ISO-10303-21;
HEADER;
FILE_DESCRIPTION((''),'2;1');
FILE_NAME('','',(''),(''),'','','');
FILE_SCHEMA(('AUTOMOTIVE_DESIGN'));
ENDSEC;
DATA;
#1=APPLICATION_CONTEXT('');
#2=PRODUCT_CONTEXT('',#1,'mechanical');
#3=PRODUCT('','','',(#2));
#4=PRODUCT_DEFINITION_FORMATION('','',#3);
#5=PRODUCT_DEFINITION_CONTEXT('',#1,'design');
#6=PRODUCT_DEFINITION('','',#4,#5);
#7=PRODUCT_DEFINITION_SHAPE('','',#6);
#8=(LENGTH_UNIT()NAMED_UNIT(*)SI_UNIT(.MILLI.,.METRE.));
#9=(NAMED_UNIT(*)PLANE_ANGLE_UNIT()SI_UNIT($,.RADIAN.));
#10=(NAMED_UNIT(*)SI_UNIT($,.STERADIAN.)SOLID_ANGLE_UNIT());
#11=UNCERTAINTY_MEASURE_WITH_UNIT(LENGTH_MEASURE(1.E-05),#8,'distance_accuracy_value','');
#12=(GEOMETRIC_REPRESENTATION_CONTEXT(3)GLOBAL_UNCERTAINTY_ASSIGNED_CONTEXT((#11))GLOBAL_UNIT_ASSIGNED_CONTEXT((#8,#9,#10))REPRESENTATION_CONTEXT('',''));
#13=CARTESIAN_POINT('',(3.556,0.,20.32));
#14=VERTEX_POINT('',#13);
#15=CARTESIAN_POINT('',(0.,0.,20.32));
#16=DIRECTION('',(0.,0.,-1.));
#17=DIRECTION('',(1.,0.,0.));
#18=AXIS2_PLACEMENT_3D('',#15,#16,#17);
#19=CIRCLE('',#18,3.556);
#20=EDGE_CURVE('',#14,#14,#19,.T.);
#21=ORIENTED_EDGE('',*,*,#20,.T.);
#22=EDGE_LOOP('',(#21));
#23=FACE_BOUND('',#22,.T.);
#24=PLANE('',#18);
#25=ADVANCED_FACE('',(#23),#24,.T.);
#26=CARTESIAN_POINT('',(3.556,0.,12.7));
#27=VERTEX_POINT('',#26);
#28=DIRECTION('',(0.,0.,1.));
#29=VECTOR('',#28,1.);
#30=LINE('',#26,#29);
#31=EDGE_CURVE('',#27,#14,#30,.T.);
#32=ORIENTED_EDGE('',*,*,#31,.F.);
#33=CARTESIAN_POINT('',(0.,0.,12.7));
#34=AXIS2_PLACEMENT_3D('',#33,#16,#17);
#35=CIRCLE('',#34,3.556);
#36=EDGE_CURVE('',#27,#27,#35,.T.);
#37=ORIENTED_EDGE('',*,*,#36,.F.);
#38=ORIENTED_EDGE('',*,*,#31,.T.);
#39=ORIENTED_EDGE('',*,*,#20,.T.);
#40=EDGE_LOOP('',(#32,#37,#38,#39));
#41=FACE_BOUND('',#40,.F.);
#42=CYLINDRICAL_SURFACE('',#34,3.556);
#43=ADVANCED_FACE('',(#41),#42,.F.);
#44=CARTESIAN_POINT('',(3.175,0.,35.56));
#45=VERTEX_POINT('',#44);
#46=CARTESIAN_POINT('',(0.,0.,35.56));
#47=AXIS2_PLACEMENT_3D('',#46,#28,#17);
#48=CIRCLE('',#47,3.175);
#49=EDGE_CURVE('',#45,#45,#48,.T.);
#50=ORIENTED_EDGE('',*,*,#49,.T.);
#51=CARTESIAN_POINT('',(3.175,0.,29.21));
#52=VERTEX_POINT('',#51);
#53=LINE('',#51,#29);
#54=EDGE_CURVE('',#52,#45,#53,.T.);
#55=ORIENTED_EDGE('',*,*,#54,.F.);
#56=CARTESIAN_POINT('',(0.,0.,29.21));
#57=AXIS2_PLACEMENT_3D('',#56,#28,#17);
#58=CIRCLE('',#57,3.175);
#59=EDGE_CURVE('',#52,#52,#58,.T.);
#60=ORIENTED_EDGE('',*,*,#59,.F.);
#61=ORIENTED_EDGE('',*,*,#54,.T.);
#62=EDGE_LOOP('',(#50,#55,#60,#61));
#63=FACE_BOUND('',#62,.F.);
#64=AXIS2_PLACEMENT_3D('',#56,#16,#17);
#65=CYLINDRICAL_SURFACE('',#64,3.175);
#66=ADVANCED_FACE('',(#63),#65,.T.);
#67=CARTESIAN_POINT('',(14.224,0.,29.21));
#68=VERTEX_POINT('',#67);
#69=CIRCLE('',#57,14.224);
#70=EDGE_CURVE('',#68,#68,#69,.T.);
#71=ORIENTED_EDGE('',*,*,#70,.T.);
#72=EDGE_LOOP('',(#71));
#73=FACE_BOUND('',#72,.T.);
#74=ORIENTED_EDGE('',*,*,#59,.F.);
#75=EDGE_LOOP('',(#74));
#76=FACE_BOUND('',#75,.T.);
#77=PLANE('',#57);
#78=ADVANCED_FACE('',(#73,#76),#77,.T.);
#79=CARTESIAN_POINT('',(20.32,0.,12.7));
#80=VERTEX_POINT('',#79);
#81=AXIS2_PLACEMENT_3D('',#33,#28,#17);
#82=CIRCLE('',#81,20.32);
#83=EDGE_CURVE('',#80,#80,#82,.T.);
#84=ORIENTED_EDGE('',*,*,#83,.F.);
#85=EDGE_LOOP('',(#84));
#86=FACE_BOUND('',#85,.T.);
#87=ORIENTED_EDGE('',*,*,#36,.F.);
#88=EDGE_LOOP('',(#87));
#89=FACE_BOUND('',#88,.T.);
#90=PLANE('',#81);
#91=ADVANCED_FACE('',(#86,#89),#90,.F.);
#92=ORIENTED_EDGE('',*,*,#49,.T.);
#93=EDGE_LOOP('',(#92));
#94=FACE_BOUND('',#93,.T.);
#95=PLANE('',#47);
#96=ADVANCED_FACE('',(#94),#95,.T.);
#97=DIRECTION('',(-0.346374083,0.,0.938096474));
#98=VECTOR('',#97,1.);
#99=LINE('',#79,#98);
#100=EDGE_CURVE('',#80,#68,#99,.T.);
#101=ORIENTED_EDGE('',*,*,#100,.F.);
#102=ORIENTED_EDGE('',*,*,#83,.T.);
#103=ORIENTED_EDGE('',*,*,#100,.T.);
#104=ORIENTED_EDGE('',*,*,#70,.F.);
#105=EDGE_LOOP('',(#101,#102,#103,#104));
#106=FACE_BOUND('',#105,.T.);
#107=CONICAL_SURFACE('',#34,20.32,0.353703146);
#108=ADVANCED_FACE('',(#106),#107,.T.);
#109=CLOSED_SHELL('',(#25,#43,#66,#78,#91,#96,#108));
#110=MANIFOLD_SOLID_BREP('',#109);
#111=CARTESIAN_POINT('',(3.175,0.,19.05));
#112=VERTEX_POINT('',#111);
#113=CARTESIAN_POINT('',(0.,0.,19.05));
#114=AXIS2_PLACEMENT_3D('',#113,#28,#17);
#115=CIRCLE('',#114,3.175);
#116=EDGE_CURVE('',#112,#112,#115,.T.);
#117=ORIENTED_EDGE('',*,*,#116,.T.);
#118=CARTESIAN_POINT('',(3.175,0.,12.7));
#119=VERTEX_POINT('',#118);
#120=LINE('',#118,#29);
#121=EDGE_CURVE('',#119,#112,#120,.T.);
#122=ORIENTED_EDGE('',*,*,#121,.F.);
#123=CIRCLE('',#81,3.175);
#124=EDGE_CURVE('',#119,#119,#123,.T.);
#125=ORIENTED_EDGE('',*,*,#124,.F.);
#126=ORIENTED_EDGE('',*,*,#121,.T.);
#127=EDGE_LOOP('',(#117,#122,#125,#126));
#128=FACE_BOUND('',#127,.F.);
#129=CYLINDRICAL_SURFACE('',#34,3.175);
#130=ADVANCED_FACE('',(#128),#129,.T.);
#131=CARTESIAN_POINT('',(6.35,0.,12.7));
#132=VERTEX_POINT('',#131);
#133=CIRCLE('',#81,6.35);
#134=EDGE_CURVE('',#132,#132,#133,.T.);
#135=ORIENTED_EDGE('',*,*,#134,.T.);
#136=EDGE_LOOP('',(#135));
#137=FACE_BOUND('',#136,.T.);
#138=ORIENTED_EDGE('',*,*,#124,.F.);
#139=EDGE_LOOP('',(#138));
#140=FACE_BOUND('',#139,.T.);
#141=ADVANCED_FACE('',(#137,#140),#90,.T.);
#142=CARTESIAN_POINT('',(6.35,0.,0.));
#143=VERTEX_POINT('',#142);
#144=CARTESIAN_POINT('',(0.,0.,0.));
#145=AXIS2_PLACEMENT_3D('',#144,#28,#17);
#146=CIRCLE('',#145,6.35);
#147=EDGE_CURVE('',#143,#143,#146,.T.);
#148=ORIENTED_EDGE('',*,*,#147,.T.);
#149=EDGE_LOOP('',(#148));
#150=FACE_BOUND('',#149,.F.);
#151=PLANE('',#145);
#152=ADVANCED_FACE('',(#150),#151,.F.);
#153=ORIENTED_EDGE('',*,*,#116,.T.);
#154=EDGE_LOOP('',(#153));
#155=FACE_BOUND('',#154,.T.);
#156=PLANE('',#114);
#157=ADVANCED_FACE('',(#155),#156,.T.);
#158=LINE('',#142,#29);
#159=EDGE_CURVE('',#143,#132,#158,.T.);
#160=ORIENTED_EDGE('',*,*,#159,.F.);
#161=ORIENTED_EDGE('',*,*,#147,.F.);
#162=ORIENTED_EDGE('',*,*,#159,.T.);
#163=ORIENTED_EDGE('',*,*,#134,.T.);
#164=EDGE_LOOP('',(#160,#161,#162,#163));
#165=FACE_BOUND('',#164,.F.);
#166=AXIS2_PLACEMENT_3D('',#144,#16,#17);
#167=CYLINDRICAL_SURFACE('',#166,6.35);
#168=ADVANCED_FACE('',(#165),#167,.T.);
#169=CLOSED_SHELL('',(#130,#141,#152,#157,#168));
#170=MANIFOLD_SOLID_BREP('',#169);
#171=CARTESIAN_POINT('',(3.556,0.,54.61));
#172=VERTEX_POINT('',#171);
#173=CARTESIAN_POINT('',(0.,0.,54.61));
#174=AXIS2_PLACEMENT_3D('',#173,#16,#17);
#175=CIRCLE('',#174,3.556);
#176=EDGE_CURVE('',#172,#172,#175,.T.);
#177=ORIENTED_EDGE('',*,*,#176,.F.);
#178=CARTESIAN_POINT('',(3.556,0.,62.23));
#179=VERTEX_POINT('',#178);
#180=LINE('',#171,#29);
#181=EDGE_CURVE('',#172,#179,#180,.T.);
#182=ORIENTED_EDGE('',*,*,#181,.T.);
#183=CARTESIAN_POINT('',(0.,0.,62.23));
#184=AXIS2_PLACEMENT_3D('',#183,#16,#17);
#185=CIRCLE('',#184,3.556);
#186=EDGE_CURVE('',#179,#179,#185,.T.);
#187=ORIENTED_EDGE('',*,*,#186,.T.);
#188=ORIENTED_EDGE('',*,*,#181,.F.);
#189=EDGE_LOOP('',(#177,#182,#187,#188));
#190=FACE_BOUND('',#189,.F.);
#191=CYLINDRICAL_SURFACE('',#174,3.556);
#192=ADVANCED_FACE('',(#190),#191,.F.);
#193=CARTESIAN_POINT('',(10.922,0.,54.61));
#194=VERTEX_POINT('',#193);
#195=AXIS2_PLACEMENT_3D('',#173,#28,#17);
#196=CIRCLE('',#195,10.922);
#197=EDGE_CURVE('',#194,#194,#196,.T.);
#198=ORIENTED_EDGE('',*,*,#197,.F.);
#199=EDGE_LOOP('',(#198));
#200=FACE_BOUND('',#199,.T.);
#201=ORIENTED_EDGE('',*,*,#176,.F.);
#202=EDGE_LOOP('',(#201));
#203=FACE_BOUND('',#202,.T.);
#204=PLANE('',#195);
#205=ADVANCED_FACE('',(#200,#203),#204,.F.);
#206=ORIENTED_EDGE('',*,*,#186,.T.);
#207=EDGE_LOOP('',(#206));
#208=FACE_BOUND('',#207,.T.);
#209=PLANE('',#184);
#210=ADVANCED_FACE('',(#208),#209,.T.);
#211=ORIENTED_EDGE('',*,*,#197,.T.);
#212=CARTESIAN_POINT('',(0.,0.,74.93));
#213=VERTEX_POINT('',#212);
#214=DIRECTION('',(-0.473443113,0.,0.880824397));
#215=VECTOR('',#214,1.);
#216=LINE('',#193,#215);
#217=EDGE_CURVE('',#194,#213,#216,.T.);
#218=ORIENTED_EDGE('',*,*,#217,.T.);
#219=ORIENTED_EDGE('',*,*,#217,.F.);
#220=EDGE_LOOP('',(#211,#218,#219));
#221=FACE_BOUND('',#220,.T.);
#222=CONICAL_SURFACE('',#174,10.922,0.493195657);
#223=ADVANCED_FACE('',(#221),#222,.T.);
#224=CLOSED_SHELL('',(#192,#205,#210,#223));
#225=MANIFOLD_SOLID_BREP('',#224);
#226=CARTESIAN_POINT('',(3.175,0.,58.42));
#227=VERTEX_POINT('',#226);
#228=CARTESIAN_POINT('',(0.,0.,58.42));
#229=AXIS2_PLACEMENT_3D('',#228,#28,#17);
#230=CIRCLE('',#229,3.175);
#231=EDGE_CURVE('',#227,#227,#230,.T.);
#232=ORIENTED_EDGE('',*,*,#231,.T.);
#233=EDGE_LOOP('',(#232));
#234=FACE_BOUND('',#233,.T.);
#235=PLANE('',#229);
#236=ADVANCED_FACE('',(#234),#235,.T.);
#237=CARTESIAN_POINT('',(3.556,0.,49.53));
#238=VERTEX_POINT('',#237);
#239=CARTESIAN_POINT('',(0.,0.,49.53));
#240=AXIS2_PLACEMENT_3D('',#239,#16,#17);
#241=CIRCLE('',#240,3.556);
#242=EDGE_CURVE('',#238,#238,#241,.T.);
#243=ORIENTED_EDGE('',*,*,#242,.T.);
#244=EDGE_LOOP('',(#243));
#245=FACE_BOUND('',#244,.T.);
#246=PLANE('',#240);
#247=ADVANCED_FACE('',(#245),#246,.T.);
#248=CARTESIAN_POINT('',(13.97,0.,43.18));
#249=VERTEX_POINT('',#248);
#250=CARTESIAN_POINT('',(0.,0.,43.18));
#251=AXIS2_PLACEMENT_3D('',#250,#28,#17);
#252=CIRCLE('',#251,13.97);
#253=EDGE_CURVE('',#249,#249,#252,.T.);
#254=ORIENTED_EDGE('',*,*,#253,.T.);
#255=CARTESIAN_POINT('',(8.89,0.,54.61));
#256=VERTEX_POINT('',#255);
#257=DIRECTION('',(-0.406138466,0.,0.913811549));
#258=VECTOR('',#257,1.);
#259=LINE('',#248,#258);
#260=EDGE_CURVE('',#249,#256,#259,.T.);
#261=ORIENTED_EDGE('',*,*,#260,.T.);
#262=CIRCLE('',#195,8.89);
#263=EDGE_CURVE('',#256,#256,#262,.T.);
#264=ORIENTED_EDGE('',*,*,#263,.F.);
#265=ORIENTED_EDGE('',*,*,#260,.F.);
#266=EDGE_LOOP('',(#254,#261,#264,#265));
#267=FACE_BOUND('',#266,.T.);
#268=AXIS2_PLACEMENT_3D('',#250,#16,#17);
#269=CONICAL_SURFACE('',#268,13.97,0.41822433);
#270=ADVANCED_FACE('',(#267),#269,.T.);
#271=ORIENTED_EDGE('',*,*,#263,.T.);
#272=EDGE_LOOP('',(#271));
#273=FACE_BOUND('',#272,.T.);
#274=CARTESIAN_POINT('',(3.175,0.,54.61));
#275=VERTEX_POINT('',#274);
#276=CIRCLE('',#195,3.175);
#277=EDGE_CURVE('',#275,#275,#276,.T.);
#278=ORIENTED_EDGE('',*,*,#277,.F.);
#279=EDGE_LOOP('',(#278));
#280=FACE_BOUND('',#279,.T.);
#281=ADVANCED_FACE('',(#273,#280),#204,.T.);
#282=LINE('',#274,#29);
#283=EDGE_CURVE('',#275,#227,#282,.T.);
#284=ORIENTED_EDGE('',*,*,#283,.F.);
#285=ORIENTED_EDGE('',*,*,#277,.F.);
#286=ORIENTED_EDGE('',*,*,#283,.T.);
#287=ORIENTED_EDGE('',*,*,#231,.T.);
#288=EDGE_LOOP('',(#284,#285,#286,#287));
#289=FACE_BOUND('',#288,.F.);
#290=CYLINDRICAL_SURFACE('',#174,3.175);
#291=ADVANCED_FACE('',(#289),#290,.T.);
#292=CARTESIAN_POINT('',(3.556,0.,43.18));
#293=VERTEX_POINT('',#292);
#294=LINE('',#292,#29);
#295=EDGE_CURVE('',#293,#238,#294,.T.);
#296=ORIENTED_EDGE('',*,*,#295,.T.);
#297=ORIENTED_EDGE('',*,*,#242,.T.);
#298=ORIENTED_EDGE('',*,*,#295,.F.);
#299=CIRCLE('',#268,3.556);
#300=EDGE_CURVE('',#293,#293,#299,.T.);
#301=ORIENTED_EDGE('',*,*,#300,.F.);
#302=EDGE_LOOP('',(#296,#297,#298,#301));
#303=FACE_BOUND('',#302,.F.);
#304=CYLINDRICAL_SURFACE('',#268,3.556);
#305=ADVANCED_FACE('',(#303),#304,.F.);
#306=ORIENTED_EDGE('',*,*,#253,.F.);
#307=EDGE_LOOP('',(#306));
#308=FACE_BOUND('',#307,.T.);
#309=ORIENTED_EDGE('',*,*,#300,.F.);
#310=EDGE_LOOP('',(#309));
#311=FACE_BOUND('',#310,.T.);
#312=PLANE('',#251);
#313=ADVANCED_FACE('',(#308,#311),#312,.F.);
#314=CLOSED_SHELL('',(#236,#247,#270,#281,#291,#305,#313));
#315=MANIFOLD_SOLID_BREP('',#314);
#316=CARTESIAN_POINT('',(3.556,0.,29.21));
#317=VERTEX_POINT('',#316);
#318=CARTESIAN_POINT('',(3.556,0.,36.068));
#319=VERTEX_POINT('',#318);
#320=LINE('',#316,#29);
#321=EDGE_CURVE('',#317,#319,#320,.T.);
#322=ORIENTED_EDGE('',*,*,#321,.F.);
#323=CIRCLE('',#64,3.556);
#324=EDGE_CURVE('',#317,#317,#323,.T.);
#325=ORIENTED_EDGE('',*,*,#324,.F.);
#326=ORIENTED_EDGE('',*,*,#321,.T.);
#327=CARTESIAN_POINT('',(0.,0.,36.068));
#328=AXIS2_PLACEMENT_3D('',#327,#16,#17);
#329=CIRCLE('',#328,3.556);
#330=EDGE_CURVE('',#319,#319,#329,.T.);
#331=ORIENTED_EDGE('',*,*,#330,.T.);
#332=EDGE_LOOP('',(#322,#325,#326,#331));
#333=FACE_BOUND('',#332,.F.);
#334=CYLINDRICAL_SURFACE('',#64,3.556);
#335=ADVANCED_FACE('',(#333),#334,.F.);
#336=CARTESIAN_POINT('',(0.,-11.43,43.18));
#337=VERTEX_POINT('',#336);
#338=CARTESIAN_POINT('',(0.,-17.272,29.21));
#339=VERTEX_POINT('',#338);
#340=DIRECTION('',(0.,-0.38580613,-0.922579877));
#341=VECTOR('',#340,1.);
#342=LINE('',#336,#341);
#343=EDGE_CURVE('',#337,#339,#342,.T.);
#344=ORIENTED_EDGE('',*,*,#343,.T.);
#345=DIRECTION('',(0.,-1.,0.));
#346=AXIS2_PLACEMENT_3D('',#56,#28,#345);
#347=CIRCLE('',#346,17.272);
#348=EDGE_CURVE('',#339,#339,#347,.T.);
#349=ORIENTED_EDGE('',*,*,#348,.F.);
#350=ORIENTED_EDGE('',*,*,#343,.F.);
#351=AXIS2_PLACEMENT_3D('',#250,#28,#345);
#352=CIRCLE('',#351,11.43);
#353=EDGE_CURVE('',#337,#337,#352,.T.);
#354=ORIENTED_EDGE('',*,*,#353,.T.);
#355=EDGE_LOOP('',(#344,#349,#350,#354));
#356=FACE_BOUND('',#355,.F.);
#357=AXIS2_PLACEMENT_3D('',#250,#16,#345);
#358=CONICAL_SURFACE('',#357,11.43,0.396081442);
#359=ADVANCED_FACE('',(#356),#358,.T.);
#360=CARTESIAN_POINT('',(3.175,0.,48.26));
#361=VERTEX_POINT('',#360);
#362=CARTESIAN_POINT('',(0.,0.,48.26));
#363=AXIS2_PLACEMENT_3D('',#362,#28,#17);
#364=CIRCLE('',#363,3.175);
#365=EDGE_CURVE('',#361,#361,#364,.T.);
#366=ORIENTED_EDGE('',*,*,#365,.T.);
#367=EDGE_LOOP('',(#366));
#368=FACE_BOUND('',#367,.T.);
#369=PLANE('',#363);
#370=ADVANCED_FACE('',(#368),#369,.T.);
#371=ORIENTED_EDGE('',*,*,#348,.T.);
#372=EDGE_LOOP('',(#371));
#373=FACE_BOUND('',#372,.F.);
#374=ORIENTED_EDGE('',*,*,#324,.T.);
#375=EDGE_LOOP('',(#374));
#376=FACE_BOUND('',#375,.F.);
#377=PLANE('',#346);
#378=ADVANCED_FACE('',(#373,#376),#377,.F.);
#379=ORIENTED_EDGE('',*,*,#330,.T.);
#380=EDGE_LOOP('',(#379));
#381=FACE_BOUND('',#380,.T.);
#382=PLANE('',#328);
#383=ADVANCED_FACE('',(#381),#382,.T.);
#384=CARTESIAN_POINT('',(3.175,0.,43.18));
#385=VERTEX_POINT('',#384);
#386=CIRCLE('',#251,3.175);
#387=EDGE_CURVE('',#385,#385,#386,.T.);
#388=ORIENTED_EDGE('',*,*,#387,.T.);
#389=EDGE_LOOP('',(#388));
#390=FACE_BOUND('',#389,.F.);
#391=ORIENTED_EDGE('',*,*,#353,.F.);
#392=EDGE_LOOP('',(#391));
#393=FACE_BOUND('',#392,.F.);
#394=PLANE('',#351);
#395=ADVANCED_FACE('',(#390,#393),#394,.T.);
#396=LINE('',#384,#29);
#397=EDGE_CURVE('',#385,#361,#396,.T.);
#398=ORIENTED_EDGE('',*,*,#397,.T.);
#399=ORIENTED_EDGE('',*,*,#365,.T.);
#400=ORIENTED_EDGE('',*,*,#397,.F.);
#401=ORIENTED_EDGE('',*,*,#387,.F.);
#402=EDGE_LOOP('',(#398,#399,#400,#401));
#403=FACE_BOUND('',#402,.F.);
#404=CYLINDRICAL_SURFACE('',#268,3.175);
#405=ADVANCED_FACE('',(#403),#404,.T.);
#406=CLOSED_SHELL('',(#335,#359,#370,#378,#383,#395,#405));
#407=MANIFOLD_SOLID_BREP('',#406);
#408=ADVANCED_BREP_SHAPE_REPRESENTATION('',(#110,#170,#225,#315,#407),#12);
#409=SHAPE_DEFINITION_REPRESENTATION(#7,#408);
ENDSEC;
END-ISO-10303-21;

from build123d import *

# Parameters (mm, degrees)
F0_R      = 6.35
F1_DEPTH  = 12.7
F2_R      = 3.175
F3_DEPTH  = 6.35
F6_R      = 3.556
F7_DEPTH  = 7.62
F8_R      = 3.175
F9_DEPTH  = 6.35
F12_R     = 3.556
F13_DEPTH = 6.858
F14_R     = 3.175
F15_DEPTH = 5.08
F18_R     = 3.556
F19_DEPTH = 6.35
F20_R     = 3.175
F21_DEPTH = 3.81
F24_R     = 3.556
F25_DEPTH = 7.62


with BuildPart() as f1:
    # F0 (on Top) → F1 (new body)
    with BuildSketch(Plane.XY):
        Circle(F0_R)
    extrude(amount=F1_DEPTH)

    # F2 (on face) → F3 (join)
    with BuildSketch(Plane.XY.offset(12.7)):
        Circle(F2_R)
    extrude(amount=F3_DEPTH)


with BuildPart() as f5:
    # F4 (on Front) → F5 (revolve)
    with BuildSketch(Plane.XZ):
        Polygon((0, 29.21), (0, 12.7), (20.32, 12.7), (14.224, 29.21), align=None)
    revolve(axis=Axis((0, 0, 20.955), (0, 0, 1)))

    # F6 (on face) → F7 (cut)
    with BuildSketch(Plane(origin=(0, 0, 12.7), x_dir=(1, 0, 0), z_dir=(0, 0, -1))):
        Circle(F6_R)
    extrude(amount=-F7_DEPTH, mode=Mode.SUBTRACT)

    # F8 (on face) → F9 (join)
    with BuildSketch(Plane.XY.offset(29.21)):
        Circle(F8_R)
    extrude(amount=F9_DEPTH)


with BuildPart() as f11:
    # F10 (on Right) → F11 (revolve)
    with BuildSketch(Plane.YZ):
        Polygon((0, 29.21), (0, 43.18), (-11.43, 43.18), (-17.272, 29.21), align=None)
    revolve(axis=Axis((0, 0, 36.195), (0, 0, 1)))

    # F12 (on face) → F13 (cut)
    with BuildSketch(Plane(origin=(0, 0, 29.21), x_dir=(1, 0, 0), z_dir=(0, 0, -1))):
        Circle(F12_R)
    extrude(amount=-F13_DEPTH, mode=Mode.SUBTRACT)

    # F14 (on face) → F15 (join)
    with BuildSketch(Plane.XY.offset(43.18)):
        Circle(F14_R)
    extrude(amount=F15_DEPTH)


with BuildPart() as f17:
    # F16 (on Front) → F17 (revolve)
    with BuildSketch(Plane.XZ):
        Polygon((8.89, 54.61), (0, 54.61), (0, 43.18), (13.97, 43.18), align=None)
    revolve(axis=Axis((0, 0, 48.895), (0, 0, 1)))

    # F18 (on face) → F19 (cut)
    with BuildSketch(Plane(origin=(0, 0, 43.18), x_dir=(1, 0, 0), z_dir=(0, 0, -1))):
        Circle(F18_R)
    extrude(amount=-F19_DEPTH, mode=Mode.SUBTRACT)

    # F20 (on face) → F21 (join)
    with BuildSketch(Plane.XY.offset(54.61)):
        Circle(F20_R)
    extrude(amount=F21_DEPTH)


with BuildPart() as f23:
    # F22 (on Front) → F23 (revolve)
    with BuildSketch(Plane.XZ):
        Polygon((10.922, 54.61), (0, 74.93), (0, 54.61), align=None)
    revolve(axis=Axis((0, 0, 64.77), (0, 0, 1)))

    # F24 (on face) → F25 (cut)
    with BuildSketch(Plane(origin=(0, 0, 54.61), x_dir=(1, 0, 0), z_dir=(0, 0, -1))):
        Circle(F24_R)
    extrude(amount=-F25_DEPTH, mode=Mode.SUBTRACT)


solid = Compound([f1.part, f5.part, f11.part, f17.part, f23.part])
